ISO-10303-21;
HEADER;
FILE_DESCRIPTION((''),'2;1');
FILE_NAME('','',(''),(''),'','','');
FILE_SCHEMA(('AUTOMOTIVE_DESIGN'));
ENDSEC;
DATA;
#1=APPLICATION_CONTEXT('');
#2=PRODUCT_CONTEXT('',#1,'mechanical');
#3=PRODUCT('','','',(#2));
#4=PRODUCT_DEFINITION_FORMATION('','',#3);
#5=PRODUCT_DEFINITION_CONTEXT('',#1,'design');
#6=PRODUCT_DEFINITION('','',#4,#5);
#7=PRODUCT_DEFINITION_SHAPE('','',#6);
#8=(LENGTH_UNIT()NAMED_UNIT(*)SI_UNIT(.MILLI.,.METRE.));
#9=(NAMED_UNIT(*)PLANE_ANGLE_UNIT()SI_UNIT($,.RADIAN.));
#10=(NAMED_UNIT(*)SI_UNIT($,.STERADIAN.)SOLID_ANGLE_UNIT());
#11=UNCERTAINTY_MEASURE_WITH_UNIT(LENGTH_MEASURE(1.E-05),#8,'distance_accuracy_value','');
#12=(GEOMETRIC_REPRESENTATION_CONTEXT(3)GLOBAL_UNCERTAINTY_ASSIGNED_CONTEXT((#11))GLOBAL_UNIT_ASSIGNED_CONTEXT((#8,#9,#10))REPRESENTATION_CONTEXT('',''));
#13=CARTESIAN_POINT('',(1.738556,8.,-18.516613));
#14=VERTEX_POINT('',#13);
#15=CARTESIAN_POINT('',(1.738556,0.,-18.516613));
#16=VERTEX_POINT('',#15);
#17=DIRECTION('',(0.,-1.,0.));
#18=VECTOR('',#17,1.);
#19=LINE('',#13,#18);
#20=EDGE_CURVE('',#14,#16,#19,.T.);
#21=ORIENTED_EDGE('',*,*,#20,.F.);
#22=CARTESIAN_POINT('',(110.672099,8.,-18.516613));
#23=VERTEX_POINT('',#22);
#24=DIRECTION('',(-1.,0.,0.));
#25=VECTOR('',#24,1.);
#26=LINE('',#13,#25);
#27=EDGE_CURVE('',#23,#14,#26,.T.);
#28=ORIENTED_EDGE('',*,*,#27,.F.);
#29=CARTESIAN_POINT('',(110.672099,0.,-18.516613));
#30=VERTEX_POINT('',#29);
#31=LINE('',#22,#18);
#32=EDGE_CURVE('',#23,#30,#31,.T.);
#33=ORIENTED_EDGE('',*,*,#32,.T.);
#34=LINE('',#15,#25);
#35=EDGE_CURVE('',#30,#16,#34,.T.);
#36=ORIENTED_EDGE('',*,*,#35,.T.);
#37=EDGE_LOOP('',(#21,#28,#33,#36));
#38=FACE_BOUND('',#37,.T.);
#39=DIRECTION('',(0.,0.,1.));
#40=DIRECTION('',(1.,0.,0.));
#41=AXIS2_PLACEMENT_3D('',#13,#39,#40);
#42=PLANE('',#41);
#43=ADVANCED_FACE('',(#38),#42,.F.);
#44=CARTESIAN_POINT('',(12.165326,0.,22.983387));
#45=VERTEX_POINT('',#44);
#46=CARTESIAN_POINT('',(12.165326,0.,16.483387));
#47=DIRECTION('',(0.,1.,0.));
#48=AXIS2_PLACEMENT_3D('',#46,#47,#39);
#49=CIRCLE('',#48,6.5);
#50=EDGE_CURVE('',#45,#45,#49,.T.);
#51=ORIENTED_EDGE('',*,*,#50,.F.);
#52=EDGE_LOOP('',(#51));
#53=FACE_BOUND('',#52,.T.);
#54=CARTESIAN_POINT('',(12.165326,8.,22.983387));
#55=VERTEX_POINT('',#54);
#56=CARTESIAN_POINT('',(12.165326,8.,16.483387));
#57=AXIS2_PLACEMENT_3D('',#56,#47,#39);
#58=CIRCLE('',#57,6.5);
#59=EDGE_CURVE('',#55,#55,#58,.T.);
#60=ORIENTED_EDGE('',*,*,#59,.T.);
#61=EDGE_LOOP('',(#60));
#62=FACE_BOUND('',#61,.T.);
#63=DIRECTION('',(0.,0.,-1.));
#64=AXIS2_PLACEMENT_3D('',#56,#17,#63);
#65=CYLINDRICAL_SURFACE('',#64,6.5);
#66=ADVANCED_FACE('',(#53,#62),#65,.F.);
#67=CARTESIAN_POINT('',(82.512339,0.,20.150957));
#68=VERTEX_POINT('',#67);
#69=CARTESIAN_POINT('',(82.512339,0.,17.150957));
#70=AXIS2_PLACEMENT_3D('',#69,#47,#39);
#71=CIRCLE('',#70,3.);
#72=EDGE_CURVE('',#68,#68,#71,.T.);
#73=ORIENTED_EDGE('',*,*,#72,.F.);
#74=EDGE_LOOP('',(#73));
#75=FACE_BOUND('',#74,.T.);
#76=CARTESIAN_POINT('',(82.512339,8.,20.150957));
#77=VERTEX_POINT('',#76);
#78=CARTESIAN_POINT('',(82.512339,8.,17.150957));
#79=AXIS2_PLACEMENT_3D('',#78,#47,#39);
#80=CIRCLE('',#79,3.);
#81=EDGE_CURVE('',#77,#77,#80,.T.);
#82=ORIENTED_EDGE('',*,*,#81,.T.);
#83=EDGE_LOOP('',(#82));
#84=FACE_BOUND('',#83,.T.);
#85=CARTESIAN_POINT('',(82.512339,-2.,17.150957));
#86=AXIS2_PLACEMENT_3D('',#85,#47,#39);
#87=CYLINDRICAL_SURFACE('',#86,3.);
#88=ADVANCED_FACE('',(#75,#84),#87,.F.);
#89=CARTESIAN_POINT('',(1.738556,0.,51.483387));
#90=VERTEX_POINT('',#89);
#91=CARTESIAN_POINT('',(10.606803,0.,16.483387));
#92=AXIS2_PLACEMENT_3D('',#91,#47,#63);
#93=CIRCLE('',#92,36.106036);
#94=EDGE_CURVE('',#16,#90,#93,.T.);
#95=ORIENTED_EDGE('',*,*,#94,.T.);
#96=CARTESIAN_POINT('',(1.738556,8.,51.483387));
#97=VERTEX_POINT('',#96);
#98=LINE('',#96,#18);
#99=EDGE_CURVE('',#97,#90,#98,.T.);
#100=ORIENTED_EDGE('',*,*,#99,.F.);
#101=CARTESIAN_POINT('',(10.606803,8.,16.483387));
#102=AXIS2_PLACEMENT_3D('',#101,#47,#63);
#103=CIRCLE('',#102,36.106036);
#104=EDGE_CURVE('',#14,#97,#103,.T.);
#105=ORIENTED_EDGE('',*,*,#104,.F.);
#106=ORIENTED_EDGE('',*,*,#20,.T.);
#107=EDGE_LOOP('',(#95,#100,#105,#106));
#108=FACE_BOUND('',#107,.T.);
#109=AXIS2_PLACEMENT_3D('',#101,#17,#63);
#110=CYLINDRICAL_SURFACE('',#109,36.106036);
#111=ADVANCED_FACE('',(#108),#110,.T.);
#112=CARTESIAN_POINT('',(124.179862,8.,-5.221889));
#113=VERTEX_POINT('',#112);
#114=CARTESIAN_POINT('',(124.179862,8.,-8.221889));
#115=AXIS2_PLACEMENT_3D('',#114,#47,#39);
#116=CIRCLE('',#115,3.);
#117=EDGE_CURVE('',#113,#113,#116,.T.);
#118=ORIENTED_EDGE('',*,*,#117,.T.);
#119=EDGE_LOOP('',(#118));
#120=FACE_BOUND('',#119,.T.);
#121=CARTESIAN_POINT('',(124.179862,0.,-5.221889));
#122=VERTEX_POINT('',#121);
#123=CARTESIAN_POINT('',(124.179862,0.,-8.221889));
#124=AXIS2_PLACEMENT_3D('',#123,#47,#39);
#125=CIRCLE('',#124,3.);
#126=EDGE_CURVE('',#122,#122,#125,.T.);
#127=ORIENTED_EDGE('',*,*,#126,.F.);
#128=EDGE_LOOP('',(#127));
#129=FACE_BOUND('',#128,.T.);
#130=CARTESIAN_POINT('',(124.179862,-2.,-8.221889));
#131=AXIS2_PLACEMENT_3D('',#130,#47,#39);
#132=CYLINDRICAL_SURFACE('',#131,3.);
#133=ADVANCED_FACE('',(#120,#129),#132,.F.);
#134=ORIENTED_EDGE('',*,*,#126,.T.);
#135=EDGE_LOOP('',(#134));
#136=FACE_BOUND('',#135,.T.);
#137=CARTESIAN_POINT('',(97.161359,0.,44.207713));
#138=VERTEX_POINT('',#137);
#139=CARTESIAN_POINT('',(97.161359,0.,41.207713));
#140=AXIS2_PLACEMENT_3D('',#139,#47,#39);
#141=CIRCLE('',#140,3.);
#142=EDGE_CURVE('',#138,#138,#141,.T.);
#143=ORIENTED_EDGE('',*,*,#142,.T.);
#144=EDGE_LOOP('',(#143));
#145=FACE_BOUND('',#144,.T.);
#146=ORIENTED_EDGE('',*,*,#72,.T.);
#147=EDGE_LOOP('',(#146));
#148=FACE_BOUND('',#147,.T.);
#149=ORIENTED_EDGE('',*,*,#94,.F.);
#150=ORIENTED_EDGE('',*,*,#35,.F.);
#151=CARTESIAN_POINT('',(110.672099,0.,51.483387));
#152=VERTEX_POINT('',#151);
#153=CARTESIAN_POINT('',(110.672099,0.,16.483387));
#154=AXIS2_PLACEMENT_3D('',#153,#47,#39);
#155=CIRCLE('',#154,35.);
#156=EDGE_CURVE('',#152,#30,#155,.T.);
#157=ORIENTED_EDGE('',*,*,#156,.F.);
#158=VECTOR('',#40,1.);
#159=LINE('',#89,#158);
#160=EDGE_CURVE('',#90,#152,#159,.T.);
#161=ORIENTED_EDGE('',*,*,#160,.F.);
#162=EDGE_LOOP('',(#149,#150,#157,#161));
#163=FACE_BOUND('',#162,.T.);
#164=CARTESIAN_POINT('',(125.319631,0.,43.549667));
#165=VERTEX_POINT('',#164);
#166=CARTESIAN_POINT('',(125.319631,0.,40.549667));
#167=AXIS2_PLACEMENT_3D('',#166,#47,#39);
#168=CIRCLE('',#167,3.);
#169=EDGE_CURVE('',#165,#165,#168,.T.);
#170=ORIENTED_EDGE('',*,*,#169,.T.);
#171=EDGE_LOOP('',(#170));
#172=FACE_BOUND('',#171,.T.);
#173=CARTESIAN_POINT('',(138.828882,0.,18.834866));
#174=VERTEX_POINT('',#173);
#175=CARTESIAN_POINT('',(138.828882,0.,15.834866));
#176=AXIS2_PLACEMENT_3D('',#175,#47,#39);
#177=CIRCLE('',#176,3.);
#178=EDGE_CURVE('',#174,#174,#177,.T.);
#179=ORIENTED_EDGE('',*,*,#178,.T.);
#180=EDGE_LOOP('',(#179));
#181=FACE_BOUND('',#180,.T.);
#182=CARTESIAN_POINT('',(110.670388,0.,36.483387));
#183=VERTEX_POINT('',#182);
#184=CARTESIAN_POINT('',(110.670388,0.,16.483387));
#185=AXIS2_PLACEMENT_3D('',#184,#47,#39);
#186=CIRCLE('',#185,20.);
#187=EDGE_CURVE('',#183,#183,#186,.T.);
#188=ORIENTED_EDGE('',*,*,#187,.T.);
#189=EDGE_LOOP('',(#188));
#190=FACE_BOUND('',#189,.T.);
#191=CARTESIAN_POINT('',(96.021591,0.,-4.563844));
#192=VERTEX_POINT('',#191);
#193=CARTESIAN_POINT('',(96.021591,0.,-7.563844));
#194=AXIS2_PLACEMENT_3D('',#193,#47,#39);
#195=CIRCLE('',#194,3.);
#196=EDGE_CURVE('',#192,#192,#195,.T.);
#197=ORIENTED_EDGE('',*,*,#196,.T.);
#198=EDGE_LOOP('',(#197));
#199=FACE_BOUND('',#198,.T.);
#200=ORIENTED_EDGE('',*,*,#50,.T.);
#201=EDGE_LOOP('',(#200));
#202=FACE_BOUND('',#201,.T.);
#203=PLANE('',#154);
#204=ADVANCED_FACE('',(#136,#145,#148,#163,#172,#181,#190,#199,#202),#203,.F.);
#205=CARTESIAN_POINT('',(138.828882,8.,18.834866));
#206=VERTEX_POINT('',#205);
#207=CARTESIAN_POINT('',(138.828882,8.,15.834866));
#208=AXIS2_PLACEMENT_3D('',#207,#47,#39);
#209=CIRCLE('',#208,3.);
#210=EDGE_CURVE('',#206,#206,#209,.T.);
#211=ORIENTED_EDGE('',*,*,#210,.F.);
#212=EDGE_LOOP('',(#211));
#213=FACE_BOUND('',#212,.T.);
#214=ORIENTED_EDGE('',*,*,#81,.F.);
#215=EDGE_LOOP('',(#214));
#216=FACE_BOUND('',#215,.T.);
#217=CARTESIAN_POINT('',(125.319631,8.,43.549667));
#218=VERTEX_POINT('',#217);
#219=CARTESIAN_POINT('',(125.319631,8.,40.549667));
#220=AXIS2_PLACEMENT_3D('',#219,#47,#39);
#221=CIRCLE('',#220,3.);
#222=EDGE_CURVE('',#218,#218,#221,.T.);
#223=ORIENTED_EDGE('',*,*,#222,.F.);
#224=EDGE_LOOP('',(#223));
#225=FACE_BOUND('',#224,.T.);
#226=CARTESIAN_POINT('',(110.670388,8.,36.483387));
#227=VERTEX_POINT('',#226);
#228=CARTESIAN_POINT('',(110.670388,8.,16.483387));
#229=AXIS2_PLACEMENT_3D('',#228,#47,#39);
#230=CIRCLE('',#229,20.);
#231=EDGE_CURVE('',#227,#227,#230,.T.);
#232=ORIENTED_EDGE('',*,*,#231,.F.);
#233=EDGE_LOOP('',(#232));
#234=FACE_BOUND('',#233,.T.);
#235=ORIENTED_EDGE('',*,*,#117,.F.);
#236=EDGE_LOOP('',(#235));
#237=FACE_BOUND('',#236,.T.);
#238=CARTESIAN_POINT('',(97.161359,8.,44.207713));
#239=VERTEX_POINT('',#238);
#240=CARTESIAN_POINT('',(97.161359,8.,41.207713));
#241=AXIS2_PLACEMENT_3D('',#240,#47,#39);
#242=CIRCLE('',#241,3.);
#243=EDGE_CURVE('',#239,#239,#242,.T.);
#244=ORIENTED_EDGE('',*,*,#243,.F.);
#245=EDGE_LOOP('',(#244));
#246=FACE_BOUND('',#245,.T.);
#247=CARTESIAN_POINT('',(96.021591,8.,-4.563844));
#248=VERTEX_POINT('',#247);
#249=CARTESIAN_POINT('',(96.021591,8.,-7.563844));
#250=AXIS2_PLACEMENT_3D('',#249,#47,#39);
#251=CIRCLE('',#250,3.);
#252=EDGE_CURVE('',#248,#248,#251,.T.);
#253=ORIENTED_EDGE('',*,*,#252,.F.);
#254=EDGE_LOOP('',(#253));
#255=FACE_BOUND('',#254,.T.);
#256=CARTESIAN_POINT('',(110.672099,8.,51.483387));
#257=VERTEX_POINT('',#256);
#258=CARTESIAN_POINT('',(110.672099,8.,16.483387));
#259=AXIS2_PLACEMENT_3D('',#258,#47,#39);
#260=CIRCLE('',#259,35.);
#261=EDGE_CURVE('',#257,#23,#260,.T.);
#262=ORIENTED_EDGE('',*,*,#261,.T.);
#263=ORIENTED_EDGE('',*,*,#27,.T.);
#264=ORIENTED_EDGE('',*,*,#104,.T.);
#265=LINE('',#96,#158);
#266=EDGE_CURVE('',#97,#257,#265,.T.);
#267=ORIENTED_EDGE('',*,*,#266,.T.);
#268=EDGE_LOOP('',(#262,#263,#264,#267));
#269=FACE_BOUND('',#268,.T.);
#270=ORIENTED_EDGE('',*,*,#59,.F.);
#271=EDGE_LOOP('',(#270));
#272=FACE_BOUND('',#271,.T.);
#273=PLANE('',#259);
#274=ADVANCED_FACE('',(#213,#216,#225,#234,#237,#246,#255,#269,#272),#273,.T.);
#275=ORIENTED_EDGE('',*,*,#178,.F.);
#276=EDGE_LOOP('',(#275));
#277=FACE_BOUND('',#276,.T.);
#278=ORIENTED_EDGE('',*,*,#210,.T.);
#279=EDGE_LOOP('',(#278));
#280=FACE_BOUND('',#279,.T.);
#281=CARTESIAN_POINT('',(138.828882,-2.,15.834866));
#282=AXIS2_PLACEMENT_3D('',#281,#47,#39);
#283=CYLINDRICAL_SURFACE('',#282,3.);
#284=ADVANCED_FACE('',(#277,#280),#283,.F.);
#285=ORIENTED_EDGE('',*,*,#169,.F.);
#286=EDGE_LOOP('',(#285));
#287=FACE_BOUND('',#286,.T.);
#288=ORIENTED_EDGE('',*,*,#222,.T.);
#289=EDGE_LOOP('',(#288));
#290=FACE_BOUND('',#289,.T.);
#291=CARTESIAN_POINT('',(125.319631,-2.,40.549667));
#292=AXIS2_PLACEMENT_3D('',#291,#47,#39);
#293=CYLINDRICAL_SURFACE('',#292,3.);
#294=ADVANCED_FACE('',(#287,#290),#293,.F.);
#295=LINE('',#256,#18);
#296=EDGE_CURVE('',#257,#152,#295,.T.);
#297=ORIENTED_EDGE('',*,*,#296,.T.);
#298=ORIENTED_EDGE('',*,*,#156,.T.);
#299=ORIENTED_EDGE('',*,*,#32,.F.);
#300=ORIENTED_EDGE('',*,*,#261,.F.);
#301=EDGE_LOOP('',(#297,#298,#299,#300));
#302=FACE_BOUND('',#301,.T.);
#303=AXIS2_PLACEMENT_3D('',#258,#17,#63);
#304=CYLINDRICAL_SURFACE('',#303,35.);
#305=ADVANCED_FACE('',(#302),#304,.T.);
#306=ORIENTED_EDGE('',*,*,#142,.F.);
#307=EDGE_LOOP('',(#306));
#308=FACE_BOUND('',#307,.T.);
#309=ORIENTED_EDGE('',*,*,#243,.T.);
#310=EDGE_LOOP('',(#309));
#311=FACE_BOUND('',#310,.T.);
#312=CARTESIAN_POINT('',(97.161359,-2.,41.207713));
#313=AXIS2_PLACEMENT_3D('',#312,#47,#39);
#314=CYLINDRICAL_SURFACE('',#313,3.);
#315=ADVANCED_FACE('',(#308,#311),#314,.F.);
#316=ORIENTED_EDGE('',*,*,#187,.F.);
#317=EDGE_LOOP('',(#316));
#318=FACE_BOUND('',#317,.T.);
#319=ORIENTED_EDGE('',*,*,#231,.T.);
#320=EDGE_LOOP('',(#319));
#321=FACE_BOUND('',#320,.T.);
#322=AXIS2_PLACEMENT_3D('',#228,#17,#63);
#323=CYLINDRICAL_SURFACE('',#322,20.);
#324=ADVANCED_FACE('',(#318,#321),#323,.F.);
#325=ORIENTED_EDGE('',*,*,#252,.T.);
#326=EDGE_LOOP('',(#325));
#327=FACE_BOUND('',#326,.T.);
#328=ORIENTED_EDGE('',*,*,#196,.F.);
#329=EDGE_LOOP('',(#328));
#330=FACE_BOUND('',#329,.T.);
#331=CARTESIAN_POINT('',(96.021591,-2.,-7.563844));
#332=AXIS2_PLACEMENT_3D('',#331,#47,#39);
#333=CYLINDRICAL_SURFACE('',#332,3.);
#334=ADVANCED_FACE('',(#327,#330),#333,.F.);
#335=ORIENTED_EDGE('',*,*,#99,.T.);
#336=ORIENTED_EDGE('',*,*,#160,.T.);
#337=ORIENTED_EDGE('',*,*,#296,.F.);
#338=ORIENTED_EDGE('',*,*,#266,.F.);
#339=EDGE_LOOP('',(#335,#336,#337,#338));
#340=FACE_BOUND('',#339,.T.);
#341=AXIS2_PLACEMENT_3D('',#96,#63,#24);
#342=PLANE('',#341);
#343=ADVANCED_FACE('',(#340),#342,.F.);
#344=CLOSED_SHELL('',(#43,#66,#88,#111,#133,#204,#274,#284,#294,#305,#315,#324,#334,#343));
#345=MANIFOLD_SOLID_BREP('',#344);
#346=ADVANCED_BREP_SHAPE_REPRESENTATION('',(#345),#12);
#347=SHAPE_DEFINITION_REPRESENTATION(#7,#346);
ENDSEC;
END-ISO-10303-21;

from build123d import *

# Parameters (mm, degrees)
SKETCH_1_R          = 6.5
SKETCH_1_R_2        = 20
EXTRUDE_1_DEPTH     = 8
SKETCH_2_R          = 3
CUT_EXTRUDE_1_DEPTH = 10


with BuildPart() as part:
    # Эскиз1 → Вытянуть1 (new body)
    with BuildSketch(Plane(origin=(0, 0, 0), x_dir=(1, 0, 0), z_dir=(0, 1, 0))):
        with BuildLine():
            Line((1.738556374, 18.516613497), (110.672099026, 18.516613497))
            ThreePointArc((110.672099026, 18.516613497), (145.672099026, -16.483386503), (110.672099026, -51.483386503))
            Line((110.672099026, -51.483386503), (1.738556374, -51.483386503))
            ThreePointArc((1.738556374, -51.483386503), (-25.499232193, -16.483386503), (1.738556374, 18.516613497))
        make_face()
        with Locations(Location((12.165325646, -16.483386503, 0), (0, 0, 270))):
            Circle(SKETCH_1_R, mode=Mode.SUBTRACT)
        with Locations(Location((110.670387559, -16.483386503, 0), (0, 0, 270))):
            Circle(SKETCH_1_R_2, mode=Mode.SUBTRACT)
    extrude(amount=EXTRUDE_1_DEPTH)

    # Эскиз2 → Вырез-Вытянуть1 (cut)
    with BuildSketch(Plane(origin=(0, 8, 0), x_dir=(1, 0, 0), z_dir=(0, 1, 0))):
        with Locations(Location((96.021590781, 7.563843825, 0), (0, 0, 270))):
            Circle(SKETCH_2_R)
        with Locations(Location((124.179862127, 8.221889416, 0), (0, 0, 270))):
            Circle(SKETCH_2_R)
        with Locations(Location((138.828881998, -15.834866101, 0), (0, 0, 270))):
            Circle(SKETCH_2_R)
        with Locations(Location((125.319630524, -40.549667208, 0), (0, 0, 270))):
            Circle(SKETCH_2_R)
        with Locations(Location((97.161359178, -41.207712799, 0), (0, 0, 270))):
            Circle(SKETCH_2_R)
        with Locations(Location((82.512339307, -17.150957282, 0), (0, 0, 270))):
            Circle(SKETCH_2_R)
    extrude(amount=-CUT_EXTRUDE_1_DEPTH, mode=Mode.SUBTRACT)


solid = part.part
